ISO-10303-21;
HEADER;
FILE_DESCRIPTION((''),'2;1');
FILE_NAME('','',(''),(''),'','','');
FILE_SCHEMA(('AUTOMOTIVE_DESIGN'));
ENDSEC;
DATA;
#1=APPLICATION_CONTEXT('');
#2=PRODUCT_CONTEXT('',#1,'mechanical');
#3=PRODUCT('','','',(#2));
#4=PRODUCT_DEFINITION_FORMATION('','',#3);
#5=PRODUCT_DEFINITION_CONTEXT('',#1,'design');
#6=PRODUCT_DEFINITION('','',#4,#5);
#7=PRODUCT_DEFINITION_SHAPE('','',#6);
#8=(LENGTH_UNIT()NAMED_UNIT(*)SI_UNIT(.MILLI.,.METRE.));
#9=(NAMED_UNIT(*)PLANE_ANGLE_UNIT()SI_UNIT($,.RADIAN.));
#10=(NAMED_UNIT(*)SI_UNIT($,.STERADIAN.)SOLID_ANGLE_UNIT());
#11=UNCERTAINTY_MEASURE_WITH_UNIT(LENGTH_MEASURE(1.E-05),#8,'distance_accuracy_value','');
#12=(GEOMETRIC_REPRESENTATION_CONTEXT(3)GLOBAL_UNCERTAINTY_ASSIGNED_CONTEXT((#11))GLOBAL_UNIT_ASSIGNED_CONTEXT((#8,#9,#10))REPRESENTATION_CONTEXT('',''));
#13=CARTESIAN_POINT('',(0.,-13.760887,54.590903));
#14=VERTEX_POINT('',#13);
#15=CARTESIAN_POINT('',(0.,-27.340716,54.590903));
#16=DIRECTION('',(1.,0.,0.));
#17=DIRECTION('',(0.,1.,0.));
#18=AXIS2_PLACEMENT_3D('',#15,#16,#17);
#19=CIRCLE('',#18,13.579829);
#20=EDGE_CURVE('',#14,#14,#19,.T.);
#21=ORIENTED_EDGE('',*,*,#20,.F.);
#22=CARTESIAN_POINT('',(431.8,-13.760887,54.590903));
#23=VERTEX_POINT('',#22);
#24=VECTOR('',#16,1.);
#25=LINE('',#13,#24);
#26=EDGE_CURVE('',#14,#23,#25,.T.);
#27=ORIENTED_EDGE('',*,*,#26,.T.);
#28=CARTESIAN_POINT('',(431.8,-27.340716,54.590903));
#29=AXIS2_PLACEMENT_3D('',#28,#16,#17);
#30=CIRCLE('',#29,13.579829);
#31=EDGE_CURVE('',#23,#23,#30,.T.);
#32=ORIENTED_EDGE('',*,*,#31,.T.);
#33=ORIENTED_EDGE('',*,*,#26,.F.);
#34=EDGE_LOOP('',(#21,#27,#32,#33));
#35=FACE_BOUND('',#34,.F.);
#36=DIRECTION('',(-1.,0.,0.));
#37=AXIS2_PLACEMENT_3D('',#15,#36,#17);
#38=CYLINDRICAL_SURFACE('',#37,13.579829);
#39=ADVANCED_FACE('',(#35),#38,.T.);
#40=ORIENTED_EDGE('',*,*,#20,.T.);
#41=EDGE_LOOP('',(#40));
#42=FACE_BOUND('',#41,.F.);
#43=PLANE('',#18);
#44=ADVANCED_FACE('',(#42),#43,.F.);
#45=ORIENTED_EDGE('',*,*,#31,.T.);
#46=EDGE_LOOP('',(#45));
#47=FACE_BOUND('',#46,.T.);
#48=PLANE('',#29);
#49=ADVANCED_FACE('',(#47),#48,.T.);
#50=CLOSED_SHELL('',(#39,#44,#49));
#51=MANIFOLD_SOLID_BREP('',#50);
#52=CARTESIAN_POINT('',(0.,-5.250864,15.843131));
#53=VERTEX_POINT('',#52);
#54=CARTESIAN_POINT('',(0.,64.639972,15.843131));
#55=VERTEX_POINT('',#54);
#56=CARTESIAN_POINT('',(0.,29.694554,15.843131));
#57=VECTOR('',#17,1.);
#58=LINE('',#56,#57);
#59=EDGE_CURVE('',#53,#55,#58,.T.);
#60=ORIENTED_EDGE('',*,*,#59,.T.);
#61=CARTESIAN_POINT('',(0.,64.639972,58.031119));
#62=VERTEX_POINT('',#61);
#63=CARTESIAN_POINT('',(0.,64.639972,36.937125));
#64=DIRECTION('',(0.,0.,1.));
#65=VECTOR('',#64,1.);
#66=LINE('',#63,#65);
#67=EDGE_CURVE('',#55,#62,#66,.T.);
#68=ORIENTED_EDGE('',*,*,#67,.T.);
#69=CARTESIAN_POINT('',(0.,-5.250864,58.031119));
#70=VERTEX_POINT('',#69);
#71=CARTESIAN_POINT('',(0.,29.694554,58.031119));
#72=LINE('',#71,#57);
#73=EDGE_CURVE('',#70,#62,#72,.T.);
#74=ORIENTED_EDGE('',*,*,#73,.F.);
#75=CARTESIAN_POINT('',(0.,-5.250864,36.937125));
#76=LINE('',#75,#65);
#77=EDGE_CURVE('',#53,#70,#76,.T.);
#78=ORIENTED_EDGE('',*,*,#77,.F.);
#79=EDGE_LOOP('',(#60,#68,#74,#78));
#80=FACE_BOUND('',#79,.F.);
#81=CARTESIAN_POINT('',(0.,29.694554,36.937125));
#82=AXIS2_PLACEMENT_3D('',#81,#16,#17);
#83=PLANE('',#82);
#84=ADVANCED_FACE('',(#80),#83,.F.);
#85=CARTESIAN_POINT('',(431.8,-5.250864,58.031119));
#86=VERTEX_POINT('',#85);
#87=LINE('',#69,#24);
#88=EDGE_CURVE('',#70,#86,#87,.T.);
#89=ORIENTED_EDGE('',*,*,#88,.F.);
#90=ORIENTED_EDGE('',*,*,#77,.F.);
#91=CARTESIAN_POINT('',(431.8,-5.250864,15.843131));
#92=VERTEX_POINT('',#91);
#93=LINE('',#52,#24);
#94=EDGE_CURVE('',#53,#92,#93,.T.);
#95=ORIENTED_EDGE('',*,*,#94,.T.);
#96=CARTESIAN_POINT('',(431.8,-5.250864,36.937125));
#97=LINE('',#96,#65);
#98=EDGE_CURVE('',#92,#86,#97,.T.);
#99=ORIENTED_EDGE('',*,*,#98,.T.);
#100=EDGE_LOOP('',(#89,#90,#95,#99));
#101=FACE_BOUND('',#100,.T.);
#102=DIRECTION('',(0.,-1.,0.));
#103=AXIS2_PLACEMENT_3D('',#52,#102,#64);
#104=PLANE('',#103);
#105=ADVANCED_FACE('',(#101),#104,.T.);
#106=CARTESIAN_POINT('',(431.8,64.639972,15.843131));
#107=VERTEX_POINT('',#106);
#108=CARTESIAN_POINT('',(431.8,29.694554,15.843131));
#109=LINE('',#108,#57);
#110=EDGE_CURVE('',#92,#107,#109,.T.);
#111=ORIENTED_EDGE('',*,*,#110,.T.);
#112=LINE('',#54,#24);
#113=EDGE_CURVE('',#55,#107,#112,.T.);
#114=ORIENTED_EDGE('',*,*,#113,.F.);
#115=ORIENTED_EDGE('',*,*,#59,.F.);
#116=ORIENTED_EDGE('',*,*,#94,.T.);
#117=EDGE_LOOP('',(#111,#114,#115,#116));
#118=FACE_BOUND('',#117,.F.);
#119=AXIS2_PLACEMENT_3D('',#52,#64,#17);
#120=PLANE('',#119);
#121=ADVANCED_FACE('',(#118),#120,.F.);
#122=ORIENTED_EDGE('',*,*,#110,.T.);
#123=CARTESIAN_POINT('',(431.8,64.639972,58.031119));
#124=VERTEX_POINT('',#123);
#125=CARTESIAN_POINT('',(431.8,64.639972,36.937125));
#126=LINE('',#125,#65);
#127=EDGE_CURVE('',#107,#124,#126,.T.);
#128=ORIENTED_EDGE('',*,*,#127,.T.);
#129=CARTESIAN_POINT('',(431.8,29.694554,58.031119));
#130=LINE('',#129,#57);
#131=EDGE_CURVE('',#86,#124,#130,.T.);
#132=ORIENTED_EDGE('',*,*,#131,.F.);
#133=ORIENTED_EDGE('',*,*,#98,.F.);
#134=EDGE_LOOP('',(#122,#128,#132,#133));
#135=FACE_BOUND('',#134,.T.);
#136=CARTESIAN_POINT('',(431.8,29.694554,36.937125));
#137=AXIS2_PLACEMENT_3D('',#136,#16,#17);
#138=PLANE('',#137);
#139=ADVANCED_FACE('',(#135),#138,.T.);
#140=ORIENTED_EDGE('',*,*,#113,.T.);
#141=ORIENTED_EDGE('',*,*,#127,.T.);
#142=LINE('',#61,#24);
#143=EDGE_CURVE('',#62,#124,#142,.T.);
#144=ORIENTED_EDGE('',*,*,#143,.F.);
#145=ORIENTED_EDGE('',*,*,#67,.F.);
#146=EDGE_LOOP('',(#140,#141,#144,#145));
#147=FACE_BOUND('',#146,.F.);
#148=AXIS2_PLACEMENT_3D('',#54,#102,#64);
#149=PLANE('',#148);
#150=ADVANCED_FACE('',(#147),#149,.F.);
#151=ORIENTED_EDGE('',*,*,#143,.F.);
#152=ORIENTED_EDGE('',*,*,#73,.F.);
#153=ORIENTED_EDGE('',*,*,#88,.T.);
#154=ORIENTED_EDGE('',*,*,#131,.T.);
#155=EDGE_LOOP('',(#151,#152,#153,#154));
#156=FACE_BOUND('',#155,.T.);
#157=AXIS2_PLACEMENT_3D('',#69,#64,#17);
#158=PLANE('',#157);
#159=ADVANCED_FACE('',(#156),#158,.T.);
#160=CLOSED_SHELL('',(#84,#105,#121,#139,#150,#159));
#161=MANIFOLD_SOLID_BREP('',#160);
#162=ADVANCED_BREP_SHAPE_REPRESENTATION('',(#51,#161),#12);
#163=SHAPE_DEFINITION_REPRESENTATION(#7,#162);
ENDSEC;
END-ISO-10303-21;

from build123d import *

# Parameters (mm, degrees)
F0_W     = 69.890835
F0_H     = 42.187988
F0_R     = 13.579829
F1_DEPTH = 431.8


with BuildPart() as f1:
    # F0 (on Right) → F1 (new body)
    with BuildSketch(Plane.YZ):
        with Locations((29.694554, 36.937125)):
            Rectangle(F0_W, F0_H)
        with Locations((-27.340716, 54.590903)):
            Circle(F0_R)
    extrude(amount=F1_DEPTH)


solid = f1.part
